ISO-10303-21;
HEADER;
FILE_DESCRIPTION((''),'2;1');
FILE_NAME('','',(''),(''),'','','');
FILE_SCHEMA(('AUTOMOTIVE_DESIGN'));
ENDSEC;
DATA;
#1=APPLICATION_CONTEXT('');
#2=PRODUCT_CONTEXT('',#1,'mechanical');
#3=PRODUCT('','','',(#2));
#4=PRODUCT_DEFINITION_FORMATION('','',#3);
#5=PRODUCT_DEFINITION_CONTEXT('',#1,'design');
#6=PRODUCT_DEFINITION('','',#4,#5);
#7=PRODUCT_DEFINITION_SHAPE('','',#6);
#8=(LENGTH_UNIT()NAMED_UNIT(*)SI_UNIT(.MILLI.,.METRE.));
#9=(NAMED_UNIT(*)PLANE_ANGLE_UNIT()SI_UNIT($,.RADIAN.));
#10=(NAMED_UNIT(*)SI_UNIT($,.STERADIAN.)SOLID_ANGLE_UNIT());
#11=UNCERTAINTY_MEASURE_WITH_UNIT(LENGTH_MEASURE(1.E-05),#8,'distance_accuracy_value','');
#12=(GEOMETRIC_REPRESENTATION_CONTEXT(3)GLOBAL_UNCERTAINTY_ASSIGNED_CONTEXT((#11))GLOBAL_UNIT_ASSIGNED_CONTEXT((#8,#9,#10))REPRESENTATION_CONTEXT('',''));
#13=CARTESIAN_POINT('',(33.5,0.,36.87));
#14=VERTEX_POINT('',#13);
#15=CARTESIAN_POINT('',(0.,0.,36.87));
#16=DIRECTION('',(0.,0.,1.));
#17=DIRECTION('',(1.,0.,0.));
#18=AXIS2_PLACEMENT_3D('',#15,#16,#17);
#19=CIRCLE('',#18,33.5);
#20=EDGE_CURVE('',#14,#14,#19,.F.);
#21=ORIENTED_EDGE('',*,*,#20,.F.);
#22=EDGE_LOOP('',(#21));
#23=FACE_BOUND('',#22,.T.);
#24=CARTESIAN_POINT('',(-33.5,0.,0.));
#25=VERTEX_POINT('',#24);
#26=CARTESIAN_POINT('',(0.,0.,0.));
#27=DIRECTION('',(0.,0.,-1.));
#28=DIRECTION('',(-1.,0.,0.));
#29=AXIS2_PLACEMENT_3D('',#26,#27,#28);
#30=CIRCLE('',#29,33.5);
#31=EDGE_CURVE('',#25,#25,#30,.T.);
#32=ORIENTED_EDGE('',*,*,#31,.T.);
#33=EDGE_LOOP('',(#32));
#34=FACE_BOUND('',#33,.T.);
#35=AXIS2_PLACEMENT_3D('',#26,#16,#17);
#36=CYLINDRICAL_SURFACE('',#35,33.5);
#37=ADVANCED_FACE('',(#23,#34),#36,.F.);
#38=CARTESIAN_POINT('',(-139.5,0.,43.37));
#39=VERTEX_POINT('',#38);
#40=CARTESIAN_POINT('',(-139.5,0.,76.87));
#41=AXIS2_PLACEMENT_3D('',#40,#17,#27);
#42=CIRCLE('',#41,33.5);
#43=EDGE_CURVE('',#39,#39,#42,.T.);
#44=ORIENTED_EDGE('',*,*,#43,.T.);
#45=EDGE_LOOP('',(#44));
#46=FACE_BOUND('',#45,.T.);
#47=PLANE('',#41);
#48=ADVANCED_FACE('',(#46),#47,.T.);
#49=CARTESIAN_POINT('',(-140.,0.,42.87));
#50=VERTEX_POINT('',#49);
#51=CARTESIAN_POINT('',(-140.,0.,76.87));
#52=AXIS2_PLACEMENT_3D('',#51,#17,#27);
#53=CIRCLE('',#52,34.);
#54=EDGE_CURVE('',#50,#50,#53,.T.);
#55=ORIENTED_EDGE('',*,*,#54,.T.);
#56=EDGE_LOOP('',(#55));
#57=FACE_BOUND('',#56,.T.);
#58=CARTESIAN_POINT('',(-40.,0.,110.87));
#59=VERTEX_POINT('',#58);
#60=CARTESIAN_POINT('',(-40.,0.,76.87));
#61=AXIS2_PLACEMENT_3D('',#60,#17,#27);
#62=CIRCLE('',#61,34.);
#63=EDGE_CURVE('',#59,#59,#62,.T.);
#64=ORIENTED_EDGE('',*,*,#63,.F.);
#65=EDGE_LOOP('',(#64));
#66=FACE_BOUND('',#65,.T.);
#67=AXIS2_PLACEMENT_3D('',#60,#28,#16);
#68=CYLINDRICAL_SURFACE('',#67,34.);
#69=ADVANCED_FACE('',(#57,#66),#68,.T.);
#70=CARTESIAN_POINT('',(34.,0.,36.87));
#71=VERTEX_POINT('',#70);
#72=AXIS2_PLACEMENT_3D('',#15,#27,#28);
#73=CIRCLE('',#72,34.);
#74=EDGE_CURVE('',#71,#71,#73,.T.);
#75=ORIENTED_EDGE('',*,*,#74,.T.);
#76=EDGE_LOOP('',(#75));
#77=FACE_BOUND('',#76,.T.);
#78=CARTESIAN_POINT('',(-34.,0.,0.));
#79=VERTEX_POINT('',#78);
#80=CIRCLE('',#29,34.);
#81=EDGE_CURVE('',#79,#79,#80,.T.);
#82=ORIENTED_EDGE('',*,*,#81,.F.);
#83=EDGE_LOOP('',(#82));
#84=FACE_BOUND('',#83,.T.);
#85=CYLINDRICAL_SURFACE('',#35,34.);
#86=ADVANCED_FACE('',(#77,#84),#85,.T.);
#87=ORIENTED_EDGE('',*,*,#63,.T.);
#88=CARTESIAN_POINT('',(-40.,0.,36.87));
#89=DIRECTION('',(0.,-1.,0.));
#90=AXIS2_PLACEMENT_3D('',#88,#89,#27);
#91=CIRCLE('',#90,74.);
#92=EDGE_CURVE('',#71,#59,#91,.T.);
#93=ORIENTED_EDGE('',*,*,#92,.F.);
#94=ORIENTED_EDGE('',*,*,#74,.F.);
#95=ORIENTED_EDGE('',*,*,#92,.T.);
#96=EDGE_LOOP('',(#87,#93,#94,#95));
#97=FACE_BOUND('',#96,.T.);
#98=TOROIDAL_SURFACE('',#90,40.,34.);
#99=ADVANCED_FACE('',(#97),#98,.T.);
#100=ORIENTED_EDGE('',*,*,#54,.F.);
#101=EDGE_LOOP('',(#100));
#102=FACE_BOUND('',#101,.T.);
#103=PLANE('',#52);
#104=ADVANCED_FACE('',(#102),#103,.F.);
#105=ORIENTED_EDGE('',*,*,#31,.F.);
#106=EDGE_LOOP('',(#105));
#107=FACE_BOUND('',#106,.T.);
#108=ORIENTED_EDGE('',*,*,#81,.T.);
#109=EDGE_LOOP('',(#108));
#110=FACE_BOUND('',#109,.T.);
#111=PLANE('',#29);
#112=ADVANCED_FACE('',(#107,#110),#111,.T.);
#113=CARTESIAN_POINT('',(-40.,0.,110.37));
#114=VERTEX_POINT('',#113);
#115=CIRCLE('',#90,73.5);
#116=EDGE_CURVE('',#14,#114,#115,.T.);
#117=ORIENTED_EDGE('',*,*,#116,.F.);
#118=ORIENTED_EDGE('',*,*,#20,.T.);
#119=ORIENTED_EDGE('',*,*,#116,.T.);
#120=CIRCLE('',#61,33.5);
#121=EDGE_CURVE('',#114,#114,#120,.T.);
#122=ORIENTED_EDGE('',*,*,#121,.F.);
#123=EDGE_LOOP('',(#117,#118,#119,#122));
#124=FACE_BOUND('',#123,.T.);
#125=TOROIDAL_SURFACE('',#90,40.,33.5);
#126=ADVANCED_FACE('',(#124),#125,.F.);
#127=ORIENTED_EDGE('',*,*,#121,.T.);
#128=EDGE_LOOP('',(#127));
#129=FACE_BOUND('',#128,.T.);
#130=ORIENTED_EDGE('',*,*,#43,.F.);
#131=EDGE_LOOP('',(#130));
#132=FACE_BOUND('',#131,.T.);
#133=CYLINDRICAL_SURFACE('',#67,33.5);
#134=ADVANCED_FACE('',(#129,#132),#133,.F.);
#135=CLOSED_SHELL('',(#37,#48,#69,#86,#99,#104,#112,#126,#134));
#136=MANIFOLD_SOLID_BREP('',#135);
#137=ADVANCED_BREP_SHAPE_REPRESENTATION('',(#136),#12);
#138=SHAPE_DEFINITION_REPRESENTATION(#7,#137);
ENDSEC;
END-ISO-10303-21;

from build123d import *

# Parameters (mm, degrees)
SWEEP1_PROFILE_R = 34
SHELL1_T         = -0.5


with BuildPart() as part:
    # Sweep1: sweep along a curve in space
    with BuildLine() as sweep1_path:
        Line((0, 0, 0), (0, 0, 36.87))
        ThreePointArc((0, 0, 36.87), (-11.715728753, 0, 65.154271247), (-40, 0, 76.87))
        Line((-40, 0, 76.87), (-140, 0, 76.87))
    # Sweep1 profile (on start of the path) → Sweep1 (sweep)
    with BuildSketch(Plane.XY):
        Circle(SWEEP1_PROFILE_R)
    sweep(path=sweep1_path.line)

    # Shell1
    shell1_openings = [part.faces().sort_by_distance(p)[0] for p in [
        (0, 0, 0),
    ]]
    offset(amount=SHELL1_T, openings=shell1_openings, kind=Kind.INTERSECTION)


solid = part.part
